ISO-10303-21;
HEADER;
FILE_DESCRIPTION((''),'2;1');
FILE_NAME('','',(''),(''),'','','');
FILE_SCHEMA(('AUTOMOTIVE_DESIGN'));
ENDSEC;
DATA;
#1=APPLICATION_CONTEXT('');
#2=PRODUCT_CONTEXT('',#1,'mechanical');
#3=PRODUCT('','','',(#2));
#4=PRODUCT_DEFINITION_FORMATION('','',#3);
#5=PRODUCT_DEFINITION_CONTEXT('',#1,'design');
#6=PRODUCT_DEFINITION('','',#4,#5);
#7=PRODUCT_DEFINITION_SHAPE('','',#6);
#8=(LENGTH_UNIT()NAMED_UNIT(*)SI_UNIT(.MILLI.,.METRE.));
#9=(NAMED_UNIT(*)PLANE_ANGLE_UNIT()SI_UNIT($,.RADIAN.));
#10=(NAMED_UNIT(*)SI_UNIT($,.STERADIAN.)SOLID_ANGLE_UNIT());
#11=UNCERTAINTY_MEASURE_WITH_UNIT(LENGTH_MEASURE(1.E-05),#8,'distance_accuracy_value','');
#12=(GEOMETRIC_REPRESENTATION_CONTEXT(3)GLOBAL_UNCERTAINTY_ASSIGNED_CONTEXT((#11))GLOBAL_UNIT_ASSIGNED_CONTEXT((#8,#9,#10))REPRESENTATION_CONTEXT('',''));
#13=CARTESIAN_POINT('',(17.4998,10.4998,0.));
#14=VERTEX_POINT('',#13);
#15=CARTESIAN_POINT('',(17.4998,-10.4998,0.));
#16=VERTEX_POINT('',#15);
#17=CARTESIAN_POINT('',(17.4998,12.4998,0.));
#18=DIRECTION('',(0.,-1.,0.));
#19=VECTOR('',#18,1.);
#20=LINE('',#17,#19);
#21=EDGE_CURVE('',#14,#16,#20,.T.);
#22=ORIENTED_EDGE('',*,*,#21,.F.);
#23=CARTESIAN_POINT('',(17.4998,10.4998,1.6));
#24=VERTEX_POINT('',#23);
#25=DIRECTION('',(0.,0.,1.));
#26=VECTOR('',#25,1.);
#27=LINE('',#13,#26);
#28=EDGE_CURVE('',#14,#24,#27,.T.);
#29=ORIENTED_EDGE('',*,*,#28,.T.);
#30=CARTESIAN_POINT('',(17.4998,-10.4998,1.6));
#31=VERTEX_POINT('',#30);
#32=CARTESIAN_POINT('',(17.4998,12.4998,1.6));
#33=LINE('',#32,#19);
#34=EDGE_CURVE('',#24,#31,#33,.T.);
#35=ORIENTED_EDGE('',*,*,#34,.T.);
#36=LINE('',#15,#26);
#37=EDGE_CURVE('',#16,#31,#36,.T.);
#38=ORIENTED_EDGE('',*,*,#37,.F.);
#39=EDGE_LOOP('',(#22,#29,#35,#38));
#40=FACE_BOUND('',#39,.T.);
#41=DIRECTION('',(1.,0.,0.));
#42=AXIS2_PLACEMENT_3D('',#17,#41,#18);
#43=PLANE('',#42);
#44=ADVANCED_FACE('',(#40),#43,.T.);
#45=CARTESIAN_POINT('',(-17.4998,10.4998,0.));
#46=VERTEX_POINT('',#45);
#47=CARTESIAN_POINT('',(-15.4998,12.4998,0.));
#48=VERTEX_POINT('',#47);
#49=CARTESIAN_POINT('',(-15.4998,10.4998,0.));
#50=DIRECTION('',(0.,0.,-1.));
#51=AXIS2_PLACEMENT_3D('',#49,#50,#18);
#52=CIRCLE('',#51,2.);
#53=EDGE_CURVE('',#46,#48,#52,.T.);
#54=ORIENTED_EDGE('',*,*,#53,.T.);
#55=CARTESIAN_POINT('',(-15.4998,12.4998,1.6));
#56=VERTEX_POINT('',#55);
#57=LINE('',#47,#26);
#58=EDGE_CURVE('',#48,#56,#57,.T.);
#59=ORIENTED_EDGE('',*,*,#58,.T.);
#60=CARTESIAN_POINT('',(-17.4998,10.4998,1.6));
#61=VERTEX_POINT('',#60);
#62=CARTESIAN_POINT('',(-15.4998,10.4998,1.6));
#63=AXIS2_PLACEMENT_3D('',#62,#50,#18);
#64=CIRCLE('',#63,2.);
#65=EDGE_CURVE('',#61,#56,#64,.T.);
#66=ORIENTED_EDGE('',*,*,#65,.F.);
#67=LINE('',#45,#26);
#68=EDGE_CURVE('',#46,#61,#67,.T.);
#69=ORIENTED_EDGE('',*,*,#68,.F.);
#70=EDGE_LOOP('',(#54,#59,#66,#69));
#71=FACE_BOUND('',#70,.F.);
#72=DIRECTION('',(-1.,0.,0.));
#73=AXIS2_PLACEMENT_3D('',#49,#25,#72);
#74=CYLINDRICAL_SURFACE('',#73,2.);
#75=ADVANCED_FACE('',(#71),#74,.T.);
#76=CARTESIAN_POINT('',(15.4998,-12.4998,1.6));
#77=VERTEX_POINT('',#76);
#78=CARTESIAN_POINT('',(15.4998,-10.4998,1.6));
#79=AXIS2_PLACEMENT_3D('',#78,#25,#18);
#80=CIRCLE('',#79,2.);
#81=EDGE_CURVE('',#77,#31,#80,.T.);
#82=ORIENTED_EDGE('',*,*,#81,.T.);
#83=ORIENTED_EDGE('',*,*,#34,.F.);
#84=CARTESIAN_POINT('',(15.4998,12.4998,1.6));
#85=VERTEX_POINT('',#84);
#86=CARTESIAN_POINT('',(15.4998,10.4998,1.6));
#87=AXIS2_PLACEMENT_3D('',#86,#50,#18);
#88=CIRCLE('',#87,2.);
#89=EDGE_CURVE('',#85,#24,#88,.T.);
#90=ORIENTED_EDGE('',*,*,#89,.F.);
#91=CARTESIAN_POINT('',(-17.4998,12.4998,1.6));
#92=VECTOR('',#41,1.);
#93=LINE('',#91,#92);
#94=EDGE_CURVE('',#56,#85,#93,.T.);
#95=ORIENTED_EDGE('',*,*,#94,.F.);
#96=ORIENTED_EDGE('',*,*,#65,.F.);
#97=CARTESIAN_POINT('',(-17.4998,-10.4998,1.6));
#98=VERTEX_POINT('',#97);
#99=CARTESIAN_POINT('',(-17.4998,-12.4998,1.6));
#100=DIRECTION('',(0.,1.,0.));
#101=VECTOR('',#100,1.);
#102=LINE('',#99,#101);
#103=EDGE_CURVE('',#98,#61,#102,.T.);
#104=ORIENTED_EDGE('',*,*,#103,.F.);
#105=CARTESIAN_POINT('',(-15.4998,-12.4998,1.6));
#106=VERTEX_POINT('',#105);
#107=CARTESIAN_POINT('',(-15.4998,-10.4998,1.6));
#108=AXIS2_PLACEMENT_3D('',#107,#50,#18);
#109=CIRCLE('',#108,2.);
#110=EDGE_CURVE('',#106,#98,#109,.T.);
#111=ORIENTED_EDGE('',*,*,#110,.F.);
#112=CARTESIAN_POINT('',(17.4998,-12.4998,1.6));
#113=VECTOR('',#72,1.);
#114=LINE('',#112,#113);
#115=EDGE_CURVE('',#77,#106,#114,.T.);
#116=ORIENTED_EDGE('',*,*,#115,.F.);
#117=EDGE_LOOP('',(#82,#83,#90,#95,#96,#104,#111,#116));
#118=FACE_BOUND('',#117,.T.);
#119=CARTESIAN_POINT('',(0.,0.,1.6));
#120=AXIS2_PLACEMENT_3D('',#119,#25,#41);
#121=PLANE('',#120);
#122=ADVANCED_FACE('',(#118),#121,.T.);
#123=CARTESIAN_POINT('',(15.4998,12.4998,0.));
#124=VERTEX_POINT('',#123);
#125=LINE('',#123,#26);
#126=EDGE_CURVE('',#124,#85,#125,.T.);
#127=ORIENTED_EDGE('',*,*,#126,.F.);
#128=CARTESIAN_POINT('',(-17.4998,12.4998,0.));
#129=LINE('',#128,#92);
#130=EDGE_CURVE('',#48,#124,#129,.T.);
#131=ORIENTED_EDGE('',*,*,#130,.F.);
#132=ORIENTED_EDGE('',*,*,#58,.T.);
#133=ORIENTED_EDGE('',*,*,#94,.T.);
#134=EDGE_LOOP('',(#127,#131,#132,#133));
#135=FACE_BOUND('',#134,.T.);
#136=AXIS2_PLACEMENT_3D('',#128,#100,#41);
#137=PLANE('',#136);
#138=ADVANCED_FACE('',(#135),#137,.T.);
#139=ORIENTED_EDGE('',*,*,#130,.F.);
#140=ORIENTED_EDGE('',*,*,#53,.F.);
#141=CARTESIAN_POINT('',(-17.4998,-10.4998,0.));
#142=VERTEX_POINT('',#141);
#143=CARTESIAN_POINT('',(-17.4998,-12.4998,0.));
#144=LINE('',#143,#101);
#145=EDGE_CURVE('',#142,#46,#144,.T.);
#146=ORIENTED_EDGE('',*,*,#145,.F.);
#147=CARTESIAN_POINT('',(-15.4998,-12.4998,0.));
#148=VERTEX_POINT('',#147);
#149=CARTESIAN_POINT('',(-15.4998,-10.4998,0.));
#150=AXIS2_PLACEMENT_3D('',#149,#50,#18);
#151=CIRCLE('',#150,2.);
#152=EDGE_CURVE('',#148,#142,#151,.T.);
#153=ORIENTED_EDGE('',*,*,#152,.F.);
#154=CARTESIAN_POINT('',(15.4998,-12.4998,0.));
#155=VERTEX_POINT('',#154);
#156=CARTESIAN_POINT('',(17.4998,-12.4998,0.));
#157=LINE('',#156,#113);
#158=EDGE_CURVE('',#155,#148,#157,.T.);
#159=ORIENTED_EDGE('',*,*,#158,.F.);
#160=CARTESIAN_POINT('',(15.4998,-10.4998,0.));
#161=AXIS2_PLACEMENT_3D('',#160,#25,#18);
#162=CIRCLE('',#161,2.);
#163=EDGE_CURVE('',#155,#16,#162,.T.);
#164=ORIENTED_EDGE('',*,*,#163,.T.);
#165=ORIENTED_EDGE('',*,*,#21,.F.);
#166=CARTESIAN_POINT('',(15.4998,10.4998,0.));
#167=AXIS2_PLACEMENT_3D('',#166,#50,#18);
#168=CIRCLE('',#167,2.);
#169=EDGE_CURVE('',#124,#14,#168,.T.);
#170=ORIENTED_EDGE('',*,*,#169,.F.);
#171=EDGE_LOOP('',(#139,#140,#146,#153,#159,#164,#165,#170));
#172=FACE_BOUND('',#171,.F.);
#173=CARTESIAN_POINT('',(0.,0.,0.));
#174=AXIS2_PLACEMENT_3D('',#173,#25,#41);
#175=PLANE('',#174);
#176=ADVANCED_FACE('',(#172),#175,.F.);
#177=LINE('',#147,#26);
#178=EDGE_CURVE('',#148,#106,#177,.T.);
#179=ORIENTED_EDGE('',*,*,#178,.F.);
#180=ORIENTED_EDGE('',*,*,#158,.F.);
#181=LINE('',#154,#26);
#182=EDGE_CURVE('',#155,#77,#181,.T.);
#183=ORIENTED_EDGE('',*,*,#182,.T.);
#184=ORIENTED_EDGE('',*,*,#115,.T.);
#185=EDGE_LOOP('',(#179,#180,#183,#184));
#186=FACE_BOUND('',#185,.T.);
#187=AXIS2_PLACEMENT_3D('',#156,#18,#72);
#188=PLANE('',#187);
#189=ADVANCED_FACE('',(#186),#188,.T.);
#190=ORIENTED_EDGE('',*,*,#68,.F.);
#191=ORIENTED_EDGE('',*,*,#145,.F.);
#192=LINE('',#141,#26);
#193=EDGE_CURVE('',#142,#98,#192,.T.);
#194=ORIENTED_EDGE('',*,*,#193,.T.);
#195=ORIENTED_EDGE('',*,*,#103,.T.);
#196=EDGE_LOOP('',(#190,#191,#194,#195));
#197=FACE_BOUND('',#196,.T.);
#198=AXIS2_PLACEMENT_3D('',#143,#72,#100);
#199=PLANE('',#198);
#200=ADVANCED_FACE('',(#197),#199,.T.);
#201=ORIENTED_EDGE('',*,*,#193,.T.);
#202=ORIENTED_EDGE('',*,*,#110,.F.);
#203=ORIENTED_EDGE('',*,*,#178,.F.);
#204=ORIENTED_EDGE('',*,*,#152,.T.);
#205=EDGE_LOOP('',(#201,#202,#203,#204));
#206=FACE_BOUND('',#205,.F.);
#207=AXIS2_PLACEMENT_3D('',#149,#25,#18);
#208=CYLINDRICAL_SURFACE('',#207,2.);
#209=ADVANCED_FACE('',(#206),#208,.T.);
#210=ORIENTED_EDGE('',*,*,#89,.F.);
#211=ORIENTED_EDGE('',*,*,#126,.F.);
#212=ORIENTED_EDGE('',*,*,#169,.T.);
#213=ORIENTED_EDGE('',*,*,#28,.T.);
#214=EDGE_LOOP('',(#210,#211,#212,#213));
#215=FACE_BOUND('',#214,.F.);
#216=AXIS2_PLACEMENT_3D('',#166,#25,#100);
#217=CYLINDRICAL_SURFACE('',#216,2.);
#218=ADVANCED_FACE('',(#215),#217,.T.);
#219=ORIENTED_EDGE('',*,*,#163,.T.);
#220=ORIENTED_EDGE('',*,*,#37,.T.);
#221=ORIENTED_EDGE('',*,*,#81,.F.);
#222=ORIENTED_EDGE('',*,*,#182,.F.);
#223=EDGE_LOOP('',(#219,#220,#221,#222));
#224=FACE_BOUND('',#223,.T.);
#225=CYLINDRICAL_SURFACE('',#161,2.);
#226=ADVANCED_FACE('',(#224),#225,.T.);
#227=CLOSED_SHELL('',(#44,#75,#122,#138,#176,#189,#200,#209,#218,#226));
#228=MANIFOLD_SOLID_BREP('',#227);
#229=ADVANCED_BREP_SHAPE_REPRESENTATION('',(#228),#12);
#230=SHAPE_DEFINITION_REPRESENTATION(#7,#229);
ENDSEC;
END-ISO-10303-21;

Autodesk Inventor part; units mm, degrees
ref_plane "YZ Plane" through (0, 0, 0) normal (1, 0, 0) x (0, 1, 0)
ref_plane "XZ Plane" through (0, 0, 0) normal (0, 1, 0) x (-1, 0, 0)
ref_plane "XY Plane" through (0, 0, 0) normal (0, 0, 1) x (1, 0, 0)
sketch "Sketch3" plane through (0, 0, 0) normal (0, 0, 1) x (1, 0, 0)
  line L0 (17.4998, -12.4998) -> (-17.4998, -12.4998)
  line L1 (-17.4998, -12.4998) -> (-17.4998, 12.4998)
  line L2 (-17.4998, 12.4998) -> (17.4998, 12.4998)
  line L3 (17.4998, 12.4998) -> (17.4998, -12.4998)
  line L4 (17.4998, -12.4998) -> (-17.4998, 12.4998) construction
  line L5 (-17.4998, -12.4998) -> (17.4998, 12.4998) construction
  point P0 (0, 0)
extrude "Extrusion2" add sketch "Sketch3" along normal blind 1.6
fillet "Fillet2" radius 2 4 edges at (-17.4998, -12.4998, 0.8) (17.4998, -12.4998, 0.8) (17.4998, 12.4998, 0.8) (-17.4998, 12.4998, 0.8)
properties part number "pcb_placeholder_larger"
